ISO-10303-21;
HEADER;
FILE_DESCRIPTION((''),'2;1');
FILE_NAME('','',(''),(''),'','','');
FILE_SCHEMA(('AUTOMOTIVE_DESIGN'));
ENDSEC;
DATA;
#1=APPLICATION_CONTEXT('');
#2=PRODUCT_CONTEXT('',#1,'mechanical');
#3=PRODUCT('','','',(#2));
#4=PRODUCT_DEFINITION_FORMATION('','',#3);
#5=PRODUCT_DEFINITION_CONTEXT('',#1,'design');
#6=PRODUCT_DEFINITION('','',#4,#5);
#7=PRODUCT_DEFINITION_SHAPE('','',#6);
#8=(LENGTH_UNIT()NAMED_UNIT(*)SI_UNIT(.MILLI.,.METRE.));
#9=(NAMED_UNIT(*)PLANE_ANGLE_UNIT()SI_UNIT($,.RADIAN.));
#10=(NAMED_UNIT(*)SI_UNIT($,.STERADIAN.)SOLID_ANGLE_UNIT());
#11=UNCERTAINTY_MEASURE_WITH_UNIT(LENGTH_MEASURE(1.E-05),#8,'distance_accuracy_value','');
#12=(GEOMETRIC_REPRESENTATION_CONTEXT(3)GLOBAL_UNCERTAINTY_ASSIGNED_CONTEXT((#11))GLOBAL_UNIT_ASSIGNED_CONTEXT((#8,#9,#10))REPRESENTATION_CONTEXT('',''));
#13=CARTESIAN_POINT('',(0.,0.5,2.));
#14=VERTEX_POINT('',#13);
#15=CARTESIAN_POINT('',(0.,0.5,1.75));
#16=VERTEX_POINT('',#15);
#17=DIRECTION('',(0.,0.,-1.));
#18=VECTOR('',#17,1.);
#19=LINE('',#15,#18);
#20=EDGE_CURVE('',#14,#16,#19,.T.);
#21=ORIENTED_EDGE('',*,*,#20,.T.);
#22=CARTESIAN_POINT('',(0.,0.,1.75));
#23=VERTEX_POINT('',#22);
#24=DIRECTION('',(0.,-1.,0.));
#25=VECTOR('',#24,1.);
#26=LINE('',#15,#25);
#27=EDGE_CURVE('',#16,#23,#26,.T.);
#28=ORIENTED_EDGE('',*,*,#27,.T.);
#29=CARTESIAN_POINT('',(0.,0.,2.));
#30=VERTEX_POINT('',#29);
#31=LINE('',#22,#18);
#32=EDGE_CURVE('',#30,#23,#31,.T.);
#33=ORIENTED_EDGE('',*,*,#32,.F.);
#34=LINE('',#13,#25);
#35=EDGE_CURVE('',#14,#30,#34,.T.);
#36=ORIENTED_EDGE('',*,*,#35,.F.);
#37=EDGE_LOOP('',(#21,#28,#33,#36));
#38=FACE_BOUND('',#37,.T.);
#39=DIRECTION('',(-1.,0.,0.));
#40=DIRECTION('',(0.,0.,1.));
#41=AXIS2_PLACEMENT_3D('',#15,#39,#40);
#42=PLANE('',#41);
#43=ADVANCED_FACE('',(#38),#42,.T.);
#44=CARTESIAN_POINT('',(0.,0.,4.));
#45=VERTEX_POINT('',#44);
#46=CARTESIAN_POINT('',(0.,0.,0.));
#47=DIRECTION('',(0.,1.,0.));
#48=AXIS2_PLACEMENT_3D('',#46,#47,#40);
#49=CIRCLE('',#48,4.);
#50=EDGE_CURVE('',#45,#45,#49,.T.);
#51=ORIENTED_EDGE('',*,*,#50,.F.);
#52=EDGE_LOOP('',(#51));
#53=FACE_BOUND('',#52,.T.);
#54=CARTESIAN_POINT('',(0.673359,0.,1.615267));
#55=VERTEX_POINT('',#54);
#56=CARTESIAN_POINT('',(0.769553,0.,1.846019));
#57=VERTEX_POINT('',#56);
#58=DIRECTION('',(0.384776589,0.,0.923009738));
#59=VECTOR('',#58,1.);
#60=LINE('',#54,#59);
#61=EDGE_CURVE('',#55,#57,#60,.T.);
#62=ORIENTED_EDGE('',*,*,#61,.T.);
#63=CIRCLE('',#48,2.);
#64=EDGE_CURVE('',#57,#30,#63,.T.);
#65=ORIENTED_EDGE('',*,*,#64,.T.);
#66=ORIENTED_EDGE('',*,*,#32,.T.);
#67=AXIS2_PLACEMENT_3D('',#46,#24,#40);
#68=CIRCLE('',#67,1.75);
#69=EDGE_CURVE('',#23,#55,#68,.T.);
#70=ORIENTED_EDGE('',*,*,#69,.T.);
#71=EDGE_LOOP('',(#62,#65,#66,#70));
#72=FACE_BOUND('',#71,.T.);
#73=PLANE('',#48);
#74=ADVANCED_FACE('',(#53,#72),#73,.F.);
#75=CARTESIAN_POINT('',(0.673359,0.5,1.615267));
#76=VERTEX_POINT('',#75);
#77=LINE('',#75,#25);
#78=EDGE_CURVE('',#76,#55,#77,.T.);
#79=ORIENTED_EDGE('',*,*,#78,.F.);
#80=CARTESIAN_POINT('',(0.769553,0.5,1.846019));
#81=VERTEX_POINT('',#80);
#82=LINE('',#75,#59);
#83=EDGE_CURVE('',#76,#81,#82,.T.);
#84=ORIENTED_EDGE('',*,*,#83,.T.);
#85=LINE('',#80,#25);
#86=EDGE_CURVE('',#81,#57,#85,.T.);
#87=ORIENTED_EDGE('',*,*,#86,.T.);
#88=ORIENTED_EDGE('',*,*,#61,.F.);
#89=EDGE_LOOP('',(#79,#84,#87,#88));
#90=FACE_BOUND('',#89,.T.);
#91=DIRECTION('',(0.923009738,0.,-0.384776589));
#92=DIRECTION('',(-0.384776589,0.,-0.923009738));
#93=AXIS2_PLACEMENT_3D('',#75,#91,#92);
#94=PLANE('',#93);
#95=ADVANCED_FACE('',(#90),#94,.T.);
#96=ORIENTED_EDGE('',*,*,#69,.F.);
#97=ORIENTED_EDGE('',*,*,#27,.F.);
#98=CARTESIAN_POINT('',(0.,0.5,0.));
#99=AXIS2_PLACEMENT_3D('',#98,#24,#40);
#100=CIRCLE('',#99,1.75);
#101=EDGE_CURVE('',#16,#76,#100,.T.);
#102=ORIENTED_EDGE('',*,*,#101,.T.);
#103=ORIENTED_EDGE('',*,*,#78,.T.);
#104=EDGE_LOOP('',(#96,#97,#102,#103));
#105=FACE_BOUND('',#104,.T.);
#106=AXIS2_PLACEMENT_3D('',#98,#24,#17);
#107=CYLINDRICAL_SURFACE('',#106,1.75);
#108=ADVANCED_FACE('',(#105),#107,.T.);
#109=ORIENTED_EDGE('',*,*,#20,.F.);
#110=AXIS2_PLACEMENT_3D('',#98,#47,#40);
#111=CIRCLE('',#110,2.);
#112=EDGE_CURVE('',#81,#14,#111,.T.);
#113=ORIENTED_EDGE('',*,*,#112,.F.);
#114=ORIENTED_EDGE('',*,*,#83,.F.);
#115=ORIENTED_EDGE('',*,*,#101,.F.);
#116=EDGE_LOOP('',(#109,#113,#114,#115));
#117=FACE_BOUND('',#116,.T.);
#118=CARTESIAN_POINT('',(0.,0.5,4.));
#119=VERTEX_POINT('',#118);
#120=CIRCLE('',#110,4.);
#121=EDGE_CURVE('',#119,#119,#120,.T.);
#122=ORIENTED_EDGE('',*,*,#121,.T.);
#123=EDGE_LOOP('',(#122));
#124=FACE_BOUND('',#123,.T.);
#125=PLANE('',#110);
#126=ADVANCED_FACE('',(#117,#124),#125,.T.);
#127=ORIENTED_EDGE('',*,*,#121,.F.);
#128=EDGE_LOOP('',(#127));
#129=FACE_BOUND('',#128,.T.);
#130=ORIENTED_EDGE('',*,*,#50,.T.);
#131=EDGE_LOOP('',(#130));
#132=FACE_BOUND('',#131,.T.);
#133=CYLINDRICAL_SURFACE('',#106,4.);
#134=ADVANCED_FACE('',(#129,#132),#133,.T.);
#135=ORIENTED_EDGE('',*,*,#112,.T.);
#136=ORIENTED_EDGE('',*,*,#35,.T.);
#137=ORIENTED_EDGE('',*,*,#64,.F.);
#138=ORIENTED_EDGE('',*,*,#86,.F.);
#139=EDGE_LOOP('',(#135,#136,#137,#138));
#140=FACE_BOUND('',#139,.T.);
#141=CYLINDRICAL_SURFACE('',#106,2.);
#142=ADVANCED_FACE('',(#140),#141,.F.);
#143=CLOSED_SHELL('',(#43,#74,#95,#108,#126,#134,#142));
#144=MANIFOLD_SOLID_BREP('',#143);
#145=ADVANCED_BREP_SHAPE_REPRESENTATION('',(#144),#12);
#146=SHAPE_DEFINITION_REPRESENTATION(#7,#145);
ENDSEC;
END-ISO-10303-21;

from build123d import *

# Parameters (mm, degrees)
SKETCH1_R           = 4
BOSS_EXTRUDE1_DEPTH = 0.5


with BuildPart() as part:
    # Sketch1 → Boss-Extrude1 (new body)
    with BuildSketch(Plane(origin=(0, 0, 0), x_dir=(1, 0, 0), z_dir=(0, 1, 0))):
        with Locations(Location((0, 0, 0), (0, 0, 270))):
            Circle(SKETCH1_R)
        with BuildLine():
            Line((0.67335903, -1.615267042), (0.769553177, -1.846019477))
            ThreePointArc((0.769553177, -1.846019477), (-0.392403521, 1.961127093), (0, -2))
            Line((0, -2), (0, -1.75))
            ThreePointArc((0, -1.75), (-0.343353081, 1.715986207), (0.67335903, -1.615267042))
        make_face(mode=Mode.SUBTRACT)
    extrude(amount=BOSS_EXTRUDE1_DEPTH)


solid = part.part
